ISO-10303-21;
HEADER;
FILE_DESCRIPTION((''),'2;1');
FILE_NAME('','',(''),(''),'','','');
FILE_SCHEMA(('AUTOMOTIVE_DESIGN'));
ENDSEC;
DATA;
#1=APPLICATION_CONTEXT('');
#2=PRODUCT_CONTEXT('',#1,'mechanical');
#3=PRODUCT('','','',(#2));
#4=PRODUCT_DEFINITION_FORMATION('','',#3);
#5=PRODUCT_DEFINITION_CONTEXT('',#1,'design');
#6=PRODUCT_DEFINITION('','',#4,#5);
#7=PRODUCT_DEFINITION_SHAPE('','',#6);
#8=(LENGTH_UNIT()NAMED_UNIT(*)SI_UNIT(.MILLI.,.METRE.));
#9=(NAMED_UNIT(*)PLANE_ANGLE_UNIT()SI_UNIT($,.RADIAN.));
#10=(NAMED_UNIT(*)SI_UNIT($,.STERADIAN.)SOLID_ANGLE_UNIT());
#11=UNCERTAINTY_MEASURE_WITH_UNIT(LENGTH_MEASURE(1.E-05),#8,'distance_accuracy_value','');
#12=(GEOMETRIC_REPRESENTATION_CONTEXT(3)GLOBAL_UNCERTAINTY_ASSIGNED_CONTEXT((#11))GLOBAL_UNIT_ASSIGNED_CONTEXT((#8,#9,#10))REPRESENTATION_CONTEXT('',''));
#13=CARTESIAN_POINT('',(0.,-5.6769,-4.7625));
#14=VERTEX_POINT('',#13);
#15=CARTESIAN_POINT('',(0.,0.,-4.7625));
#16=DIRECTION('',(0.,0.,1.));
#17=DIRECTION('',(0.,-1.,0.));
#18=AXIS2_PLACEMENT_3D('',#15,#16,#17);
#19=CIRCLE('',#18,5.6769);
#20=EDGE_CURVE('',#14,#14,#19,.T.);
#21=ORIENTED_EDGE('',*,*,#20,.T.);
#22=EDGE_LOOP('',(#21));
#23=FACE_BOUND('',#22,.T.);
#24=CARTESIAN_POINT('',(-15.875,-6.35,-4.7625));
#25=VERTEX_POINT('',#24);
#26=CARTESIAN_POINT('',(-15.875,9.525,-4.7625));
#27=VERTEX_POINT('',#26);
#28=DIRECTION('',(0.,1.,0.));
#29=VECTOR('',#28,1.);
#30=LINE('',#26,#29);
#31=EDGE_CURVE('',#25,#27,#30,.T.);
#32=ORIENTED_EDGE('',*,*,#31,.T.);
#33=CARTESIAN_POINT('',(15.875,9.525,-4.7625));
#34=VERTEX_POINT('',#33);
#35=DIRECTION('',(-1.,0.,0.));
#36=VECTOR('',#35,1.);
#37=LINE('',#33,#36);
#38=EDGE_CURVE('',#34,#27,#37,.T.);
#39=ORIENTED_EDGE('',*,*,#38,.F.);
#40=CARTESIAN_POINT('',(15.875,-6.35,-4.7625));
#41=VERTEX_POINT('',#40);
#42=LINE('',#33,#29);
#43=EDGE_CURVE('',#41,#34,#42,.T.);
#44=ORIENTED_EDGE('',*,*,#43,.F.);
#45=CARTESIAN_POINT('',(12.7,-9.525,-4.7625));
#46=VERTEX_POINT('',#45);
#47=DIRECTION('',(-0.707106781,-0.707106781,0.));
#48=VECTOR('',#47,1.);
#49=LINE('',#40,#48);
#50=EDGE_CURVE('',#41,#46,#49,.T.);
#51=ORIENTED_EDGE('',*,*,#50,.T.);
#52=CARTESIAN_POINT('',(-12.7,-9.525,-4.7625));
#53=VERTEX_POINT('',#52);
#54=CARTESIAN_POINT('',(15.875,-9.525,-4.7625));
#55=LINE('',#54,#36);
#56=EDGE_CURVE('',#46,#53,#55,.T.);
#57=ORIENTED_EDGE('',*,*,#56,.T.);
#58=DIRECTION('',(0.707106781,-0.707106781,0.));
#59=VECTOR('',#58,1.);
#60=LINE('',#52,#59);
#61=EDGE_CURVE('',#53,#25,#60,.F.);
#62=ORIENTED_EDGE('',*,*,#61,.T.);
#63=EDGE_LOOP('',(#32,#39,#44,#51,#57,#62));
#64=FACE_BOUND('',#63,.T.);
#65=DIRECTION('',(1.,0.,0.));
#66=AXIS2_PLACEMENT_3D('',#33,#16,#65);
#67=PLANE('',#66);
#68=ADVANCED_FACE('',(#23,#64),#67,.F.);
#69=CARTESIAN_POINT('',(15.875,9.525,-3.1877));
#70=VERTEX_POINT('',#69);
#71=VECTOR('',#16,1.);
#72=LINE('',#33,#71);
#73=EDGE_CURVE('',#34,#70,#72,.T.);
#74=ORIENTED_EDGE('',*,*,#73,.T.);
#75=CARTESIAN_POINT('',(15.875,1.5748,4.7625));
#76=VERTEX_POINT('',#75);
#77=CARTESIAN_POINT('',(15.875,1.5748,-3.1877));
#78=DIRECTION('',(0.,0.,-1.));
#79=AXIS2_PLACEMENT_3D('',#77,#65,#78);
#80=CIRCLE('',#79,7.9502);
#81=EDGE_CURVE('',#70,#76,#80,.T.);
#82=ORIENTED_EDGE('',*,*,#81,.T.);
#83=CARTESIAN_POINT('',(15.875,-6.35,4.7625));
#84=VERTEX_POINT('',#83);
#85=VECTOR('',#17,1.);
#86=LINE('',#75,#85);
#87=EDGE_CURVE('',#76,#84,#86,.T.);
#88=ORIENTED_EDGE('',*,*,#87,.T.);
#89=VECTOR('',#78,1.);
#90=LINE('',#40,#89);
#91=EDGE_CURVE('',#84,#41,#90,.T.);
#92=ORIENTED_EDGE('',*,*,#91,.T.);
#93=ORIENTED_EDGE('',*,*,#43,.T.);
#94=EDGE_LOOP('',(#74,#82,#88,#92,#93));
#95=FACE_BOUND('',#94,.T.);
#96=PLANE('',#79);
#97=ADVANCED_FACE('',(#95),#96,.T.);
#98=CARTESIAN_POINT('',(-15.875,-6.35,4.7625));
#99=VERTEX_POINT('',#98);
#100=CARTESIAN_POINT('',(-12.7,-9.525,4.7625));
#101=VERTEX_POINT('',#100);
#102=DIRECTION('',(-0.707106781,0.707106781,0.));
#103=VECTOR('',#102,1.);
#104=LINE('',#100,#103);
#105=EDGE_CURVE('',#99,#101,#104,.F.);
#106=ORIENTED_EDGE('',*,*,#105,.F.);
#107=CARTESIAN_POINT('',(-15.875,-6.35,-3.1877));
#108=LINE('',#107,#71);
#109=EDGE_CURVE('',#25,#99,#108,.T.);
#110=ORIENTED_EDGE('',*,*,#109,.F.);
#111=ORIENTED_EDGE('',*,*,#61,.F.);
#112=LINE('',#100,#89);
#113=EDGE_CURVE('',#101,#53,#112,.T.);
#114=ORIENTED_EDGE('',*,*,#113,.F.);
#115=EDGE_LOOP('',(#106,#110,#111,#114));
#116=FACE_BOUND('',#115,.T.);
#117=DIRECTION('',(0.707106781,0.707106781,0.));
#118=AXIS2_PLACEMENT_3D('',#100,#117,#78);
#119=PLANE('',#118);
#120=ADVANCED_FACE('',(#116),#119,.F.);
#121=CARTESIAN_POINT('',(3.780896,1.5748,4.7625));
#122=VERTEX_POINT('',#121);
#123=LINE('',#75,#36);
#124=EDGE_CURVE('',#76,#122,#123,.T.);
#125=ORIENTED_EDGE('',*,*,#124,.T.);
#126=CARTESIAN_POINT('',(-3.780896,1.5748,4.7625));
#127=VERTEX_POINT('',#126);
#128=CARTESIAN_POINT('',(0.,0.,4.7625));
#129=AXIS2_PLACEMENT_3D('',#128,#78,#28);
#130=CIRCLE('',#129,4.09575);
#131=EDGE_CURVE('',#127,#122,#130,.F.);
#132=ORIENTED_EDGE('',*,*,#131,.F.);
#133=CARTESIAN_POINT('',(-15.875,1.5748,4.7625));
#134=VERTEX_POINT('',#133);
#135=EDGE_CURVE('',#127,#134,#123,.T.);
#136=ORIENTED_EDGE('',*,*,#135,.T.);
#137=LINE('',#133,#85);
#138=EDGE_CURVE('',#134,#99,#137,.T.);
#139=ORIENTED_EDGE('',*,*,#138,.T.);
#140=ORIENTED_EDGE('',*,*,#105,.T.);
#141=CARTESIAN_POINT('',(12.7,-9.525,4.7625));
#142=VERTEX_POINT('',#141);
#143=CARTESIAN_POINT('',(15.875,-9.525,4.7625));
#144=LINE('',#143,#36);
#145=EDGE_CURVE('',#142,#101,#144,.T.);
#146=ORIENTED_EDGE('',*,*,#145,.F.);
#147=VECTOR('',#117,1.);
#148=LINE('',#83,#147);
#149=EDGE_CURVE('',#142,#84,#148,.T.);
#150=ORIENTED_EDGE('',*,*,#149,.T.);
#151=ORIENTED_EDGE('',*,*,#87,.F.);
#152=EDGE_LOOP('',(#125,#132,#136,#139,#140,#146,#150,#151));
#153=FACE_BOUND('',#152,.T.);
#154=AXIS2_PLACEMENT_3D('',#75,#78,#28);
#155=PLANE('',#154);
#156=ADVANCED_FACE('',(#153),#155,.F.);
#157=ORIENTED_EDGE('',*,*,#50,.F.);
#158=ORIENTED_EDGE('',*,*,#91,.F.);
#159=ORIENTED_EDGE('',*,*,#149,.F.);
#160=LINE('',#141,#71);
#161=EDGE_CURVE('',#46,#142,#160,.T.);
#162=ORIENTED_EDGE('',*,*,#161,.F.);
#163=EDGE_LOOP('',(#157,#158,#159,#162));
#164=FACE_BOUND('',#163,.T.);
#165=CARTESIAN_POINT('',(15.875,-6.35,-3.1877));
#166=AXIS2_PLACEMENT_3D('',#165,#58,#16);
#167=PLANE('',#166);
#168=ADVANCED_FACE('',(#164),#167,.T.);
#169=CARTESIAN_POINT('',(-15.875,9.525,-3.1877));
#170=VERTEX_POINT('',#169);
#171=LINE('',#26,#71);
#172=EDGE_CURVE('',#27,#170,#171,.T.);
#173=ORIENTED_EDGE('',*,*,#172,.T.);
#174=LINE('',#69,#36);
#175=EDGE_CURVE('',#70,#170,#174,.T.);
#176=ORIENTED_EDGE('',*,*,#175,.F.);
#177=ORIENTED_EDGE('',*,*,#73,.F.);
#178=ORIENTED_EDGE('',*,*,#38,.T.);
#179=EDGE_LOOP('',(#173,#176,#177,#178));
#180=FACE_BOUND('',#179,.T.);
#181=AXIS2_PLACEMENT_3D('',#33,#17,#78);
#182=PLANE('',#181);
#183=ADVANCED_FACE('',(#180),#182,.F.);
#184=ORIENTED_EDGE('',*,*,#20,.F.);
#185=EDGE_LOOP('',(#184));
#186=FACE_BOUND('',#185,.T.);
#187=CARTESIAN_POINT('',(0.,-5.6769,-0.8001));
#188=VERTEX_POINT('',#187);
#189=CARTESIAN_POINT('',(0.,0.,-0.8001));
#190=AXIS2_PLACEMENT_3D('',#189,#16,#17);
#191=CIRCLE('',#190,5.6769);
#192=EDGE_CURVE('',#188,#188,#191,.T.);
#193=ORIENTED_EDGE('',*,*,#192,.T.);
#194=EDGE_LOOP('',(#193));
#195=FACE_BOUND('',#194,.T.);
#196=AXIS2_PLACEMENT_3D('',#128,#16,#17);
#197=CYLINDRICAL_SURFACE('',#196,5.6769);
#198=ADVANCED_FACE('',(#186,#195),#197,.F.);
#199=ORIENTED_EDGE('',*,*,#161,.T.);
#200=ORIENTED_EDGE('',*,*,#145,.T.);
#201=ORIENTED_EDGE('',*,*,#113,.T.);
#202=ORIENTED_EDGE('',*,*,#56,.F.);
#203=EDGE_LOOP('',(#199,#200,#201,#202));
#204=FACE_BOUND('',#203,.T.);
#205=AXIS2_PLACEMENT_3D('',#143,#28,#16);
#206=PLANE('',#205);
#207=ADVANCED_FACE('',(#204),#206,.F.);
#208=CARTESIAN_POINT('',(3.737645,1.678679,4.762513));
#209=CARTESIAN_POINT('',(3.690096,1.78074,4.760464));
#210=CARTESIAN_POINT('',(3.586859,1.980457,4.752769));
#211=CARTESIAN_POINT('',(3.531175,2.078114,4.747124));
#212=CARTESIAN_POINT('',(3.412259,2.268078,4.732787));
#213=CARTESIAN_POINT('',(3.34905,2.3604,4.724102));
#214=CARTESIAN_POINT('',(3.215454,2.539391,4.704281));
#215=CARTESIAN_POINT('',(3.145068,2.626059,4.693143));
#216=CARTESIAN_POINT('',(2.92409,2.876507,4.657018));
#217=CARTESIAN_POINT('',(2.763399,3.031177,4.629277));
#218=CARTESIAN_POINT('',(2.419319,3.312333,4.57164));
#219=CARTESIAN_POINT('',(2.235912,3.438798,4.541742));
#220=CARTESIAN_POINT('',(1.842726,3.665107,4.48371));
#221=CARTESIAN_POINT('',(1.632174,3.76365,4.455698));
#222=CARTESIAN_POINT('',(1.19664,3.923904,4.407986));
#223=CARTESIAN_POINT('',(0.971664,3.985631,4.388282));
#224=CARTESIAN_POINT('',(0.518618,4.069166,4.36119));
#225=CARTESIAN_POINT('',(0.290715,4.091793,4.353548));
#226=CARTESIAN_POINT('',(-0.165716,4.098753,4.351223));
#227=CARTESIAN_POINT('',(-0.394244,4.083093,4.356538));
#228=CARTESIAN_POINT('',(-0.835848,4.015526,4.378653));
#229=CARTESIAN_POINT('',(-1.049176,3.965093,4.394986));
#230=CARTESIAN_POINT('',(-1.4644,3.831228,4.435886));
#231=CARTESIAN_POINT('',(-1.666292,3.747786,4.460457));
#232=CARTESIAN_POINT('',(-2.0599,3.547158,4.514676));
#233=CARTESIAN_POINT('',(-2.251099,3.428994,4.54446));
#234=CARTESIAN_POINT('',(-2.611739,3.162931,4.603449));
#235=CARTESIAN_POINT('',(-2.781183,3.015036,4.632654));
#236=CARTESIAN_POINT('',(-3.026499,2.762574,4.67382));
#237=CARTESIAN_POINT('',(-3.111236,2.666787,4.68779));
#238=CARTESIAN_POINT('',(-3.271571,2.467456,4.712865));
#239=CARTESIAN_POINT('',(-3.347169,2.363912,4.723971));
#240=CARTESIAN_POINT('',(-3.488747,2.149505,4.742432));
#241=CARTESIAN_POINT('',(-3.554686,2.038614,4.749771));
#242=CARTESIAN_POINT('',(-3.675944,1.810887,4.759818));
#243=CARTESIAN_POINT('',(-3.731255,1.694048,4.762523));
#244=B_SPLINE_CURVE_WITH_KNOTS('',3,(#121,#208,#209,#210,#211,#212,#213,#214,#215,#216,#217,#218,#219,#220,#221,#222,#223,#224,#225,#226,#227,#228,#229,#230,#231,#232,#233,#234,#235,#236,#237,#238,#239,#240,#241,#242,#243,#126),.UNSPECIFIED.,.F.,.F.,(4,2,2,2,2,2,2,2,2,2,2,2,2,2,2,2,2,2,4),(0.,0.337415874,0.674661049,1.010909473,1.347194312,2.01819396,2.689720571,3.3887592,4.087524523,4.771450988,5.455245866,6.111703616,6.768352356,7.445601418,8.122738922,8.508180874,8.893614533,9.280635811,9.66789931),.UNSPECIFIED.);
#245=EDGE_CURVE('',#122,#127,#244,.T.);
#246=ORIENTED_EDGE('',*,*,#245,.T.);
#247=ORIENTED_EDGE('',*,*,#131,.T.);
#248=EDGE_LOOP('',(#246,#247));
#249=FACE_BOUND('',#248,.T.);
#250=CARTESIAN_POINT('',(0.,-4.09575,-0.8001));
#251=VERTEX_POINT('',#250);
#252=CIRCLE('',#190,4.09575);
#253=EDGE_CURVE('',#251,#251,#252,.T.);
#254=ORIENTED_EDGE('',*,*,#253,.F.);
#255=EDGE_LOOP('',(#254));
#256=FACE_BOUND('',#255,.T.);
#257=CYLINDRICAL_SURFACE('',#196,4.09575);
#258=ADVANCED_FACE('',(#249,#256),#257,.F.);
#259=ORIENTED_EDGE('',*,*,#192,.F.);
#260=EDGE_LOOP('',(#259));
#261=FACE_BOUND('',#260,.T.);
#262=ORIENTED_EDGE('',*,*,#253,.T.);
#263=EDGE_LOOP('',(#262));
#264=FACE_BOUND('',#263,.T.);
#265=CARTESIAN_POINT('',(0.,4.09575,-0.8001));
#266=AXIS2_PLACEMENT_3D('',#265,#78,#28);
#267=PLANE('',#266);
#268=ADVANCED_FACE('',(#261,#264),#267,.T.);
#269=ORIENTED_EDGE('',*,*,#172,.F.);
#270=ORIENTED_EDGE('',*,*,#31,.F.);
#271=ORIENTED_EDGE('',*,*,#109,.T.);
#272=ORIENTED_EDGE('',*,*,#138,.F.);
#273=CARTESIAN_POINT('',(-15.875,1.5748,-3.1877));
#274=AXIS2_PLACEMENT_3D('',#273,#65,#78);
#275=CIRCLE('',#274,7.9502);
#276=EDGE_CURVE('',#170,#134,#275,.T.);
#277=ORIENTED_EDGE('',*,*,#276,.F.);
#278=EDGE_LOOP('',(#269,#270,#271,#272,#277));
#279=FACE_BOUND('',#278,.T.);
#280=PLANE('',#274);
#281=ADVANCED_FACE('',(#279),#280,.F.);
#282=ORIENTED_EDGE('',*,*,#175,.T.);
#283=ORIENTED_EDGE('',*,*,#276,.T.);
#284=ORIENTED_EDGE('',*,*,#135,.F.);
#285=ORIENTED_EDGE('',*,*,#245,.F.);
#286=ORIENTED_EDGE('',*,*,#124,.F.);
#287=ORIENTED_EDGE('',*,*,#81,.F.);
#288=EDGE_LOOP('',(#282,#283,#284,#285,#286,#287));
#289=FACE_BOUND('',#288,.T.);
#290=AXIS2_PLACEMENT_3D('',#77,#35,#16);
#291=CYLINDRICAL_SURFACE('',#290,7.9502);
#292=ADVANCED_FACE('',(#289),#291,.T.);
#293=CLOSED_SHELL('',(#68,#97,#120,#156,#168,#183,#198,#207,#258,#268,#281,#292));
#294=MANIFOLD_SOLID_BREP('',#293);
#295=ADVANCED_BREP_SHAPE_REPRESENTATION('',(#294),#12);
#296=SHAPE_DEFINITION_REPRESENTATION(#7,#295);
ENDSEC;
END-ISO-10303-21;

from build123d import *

# Parameters (mm, degrees)
BOSS_EXTRUDE2_DEPTH = 15.875
CHAMFER1_SIZE       = 3.175


with BuildPart() as part:
    # Sketch3 → Boss-Extrude2 (new, symmetric)
    with BuildSketch(Plane(origin=(0, 0, 0), x_dir=(0, 0, -1), z_dir=(1, 0, 0))):
        with BuildLine():
            ThreePointArc((3.1877, 9.525), (-2.433940332, 7.196440332), (-4.7625, 1.5748))
            Line((-4.7625, 1.5748), (-4.7625, -9.525))
            Line((-4.7625, -9.525), (4.7625, -9.525))
            Line((4.7625, -9.525), (4.7625, 9.525))
            Line((4.7625, 9.525), (3.1877, 9.525))
        make_face()
    extrude(amount=BOSS_EXTRUDE2_DEPTH, both=True)

    # Chamfer1
    chamfer1_edges = [part.edges().sort_by_distance(p)[0] for p in [
        (15.875, -9.525, 0),
        (-15.875, -9.525, 0),
    ]]
    chamfer(chamfer1_edges, length=CHAMFER1_SIZE)

    # Sketch4 → Cut-Revolve2 (revolve, cut)
    with BuildSketch(Plane(origin=(0, 0, 0), x_dir=(0, 0, -1), z_dir=(1, 0, 0)), mode=Mode.PRIVATE) as cut_revolve2_sk:
        Polygon((-4.7625, 4.09575), (0.8001, 4.09575), (0.8001, 5.6769), (4.7625, 5.6769), (4.7625, 0), (-4.7625, 0), align=None)
    revolve(cut_revolve2_sk.sketch.rotate(Axis((0, 0, 4.7625), (0, 0, -1)), 180), axis=Axis((0, 0, 4.7625), (0, 0, -1)), mode=Mode.SUBTRACT)


solid = part.part
